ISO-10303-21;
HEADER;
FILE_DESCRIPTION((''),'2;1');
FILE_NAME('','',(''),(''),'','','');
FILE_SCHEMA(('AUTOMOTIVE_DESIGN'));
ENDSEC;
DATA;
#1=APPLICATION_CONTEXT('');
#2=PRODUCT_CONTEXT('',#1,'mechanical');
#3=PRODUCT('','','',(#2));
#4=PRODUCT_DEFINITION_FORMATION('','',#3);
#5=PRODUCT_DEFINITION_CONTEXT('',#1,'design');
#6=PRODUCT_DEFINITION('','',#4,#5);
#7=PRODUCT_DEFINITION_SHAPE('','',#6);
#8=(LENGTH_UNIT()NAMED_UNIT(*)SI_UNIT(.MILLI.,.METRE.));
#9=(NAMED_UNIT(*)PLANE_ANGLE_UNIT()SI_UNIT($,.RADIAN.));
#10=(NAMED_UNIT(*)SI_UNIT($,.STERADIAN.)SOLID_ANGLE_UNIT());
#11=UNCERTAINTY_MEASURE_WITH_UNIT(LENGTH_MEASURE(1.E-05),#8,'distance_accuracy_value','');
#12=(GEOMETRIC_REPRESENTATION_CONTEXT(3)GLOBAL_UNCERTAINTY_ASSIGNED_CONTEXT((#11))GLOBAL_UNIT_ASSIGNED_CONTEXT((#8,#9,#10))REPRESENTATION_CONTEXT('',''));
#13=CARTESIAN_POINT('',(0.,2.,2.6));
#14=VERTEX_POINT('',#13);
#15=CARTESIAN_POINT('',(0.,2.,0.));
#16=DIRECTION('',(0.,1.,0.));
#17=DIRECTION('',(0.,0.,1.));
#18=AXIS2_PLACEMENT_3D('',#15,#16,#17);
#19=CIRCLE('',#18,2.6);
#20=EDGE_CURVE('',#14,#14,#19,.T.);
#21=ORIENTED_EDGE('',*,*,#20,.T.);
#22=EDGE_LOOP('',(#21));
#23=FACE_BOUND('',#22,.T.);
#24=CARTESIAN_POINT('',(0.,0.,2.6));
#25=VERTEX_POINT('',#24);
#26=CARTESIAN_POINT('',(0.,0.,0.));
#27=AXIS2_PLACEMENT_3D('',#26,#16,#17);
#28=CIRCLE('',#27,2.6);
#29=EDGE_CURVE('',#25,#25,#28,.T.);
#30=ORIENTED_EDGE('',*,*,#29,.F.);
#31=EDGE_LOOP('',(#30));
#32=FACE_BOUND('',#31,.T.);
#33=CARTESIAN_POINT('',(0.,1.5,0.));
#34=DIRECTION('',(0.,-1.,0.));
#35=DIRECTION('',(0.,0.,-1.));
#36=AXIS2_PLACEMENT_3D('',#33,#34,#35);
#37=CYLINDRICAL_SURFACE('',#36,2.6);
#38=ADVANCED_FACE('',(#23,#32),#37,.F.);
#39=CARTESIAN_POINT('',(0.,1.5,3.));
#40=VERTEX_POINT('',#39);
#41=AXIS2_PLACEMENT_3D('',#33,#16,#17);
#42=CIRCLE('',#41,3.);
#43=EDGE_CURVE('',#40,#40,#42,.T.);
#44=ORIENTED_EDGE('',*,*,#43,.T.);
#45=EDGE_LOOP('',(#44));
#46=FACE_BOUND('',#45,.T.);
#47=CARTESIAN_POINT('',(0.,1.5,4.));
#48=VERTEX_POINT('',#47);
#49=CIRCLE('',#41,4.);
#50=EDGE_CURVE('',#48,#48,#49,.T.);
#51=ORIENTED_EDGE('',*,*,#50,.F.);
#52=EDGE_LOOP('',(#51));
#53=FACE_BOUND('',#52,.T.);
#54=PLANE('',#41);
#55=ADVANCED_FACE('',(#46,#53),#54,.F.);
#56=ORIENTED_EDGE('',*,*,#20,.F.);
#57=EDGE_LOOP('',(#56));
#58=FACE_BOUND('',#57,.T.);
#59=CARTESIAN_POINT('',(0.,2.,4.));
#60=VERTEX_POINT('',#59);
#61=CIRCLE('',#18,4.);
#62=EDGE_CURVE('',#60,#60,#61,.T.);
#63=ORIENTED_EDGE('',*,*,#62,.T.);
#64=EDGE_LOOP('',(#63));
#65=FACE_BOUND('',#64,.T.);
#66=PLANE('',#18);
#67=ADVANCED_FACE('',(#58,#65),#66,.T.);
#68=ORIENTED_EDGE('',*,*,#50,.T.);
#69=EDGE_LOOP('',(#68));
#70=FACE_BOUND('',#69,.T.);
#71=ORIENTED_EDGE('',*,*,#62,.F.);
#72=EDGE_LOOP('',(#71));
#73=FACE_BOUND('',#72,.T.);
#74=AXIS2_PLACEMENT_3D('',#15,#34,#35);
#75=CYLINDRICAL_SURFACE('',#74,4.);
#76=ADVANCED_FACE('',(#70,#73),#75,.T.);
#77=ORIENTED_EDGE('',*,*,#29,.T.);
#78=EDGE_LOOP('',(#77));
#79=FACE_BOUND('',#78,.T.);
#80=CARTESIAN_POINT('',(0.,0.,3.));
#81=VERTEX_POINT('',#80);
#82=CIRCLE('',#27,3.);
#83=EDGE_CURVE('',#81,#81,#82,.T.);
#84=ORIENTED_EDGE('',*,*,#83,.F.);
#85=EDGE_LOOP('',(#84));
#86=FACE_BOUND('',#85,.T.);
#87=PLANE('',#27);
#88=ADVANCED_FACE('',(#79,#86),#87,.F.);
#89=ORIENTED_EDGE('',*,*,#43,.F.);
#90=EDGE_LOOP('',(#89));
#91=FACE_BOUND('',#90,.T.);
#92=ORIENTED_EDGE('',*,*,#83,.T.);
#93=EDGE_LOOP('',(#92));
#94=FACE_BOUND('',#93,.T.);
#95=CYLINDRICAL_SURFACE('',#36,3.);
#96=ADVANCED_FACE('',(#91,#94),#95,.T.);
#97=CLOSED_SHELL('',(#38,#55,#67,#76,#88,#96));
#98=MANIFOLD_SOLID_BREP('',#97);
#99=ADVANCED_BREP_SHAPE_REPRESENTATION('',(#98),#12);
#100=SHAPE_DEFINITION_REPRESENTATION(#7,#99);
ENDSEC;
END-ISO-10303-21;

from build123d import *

# Parameters (mm, degrees)
SKETCH1_R           = 3
SKETCH1_R_2         = 2.6
BOSS_EXTRUDE1_DEPTH = 1.5
SKETCH2_R           = 4
SKETCH2_R_2         = 2.6
BOSS_EXTRUDE2_DEPTH = 0.5


with BuildPart() as part:
    # Sketch1 → Boss-Extrude1 (new body)
    with BuildSketch(Plane(origin=(0, 0, 0), x_dir=(1, 0, 0), z_dir=(0, 1, 0))):
        with Locations(Location((0, 0, 0), (0, 0, 270))):
            Circle(SKETCH1_R)
        with Locations(Location((0, 0, 0), (0, 0, 270))):
            Circle(SKETCH1_R_2, mode=Mode.SUBTRACT)
    extrude(amount=BOSS_EXTRUDE1_DEPTH)

    # Sketch2 → Boss-Extrude2 (add)
    with BuildSketch(Plane(origin=(0, 1.5, 0), x_dir=(1, 0, 0), z_dir=(0, 1, 0))):
        with Locations(Location((0, 0, 0), (0, 0, 270))):
            Circle(SKETCH2_R)
        with Locations(Location((0, 0, 0), (0, 0, 270))):
            Circle(SKETCH2_R_2, mode=Mode.SUBTRACT)
    extrude(amount=BOSS_EXTRUDE2_DEPTH)


solid = part.part
